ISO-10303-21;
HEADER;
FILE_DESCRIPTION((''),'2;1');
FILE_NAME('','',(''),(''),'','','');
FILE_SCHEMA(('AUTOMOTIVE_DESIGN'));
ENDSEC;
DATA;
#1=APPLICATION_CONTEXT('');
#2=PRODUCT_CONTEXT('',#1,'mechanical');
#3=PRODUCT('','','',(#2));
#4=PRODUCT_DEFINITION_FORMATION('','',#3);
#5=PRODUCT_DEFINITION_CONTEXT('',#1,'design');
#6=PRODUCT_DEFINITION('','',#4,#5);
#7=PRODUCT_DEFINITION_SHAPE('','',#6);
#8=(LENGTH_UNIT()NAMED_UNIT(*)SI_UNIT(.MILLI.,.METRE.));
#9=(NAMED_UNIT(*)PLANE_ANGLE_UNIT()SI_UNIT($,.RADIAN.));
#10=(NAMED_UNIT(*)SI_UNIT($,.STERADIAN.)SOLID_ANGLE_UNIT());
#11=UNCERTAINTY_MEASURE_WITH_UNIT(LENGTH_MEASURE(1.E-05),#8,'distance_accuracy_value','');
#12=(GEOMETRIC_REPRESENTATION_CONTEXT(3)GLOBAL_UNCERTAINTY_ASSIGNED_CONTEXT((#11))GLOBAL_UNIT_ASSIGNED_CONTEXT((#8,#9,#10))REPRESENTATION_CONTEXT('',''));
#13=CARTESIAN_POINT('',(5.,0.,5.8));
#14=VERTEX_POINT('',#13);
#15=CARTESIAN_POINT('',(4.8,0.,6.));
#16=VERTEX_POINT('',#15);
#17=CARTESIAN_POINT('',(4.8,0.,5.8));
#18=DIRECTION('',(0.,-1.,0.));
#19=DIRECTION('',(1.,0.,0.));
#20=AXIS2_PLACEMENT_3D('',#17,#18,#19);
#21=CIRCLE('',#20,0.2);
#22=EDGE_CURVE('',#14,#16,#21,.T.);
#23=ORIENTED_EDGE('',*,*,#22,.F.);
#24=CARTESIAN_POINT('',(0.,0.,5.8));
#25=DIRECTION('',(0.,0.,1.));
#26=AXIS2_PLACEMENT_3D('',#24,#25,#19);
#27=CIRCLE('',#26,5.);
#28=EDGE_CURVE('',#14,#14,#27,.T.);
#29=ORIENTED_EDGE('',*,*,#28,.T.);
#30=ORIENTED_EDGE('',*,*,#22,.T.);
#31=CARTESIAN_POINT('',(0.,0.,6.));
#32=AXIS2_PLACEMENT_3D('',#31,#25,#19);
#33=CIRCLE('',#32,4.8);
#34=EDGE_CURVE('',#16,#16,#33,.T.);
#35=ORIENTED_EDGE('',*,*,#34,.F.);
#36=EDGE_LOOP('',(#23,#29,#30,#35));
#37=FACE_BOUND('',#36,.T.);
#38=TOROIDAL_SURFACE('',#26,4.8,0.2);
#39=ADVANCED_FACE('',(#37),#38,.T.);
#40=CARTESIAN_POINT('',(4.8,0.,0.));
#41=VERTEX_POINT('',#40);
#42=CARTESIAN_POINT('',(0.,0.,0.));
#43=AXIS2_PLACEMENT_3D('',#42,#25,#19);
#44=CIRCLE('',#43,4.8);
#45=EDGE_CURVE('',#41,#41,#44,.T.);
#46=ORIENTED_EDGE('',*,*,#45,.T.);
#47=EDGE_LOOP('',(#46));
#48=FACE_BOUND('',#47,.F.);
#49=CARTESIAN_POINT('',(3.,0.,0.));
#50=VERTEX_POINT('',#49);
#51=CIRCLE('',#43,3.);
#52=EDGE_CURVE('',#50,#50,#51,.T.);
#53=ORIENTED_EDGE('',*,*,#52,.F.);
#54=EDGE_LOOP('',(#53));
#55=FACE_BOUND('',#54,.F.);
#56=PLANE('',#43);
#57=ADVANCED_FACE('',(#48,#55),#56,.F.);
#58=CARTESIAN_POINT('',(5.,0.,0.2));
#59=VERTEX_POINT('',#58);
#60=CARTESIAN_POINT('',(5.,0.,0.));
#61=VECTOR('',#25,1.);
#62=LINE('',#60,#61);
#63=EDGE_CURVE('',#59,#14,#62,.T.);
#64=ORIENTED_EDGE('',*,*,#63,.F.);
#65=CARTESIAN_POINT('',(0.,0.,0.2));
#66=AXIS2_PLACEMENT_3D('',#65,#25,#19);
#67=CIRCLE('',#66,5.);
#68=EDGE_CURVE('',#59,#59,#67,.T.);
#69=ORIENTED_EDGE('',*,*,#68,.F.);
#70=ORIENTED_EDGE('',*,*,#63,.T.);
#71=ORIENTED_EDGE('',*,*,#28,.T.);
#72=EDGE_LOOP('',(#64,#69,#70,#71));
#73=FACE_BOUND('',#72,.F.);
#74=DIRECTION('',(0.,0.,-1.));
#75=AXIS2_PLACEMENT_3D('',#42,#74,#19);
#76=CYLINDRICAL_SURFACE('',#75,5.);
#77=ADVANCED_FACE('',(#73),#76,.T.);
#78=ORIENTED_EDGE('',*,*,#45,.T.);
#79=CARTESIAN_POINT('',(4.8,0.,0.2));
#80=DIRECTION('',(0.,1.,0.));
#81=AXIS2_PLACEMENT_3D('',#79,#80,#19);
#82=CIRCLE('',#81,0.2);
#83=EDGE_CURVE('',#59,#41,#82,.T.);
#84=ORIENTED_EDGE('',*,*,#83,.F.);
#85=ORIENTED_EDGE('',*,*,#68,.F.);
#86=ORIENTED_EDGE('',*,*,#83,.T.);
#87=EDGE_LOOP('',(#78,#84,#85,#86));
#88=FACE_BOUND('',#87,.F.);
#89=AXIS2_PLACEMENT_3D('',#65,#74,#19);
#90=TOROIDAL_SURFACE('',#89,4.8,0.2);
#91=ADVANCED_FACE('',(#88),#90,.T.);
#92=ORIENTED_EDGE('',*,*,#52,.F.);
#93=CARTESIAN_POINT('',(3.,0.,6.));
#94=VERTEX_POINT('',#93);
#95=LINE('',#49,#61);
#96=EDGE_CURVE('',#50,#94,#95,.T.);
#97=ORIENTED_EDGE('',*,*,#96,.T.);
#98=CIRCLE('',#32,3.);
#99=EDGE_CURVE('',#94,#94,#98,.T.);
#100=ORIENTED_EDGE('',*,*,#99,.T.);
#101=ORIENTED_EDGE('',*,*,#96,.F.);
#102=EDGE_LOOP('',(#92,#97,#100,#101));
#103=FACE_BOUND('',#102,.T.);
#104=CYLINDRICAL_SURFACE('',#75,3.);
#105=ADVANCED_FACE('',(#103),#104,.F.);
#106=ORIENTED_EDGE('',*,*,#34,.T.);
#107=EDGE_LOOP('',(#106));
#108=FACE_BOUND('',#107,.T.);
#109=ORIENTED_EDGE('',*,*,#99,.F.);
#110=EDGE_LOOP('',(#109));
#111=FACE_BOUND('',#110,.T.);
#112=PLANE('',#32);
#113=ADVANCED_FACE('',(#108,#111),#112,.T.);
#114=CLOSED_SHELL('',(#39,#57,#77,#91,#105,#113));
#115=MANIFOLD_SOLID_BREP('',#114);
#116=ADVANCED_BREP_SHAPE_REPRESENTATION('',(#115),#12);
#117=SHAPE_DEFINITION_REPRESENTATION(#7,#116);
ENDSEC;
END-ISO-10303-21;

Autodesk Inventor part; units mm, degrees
ref_plane "YZ Plane" through (0, 0, 0) normal (1, 0, 0) x (0, 1, 0)
ref_plane "XZ Plane" through (0, 0, 0) normal (0, 1, 0) x (-1, 0, 0)
ref_plane "XY Plane" through (0, 0, 0) normal (0, 0, 1) x (1, 0, 0)
sketch "スケッチ1" plane through (0, 0, 0) normal (0, 0, 1) x (1, 0, 0)
  circle A0 centre (0, 0) radius 5
  circle A1 centre (0, 0) radius 3
  dimension "d0" = 10
  dimension "d1" = 6
extrude "押し出し1" add sketch "スケッチ1" along normal blind 6
fillet "フィレット1" radius 0.2 2 edges at (-5, 0, 0) (-5, 0, 6)
properties part number "スペーサー中空M6L6樹脂" material "アセタール樹脂、白"
